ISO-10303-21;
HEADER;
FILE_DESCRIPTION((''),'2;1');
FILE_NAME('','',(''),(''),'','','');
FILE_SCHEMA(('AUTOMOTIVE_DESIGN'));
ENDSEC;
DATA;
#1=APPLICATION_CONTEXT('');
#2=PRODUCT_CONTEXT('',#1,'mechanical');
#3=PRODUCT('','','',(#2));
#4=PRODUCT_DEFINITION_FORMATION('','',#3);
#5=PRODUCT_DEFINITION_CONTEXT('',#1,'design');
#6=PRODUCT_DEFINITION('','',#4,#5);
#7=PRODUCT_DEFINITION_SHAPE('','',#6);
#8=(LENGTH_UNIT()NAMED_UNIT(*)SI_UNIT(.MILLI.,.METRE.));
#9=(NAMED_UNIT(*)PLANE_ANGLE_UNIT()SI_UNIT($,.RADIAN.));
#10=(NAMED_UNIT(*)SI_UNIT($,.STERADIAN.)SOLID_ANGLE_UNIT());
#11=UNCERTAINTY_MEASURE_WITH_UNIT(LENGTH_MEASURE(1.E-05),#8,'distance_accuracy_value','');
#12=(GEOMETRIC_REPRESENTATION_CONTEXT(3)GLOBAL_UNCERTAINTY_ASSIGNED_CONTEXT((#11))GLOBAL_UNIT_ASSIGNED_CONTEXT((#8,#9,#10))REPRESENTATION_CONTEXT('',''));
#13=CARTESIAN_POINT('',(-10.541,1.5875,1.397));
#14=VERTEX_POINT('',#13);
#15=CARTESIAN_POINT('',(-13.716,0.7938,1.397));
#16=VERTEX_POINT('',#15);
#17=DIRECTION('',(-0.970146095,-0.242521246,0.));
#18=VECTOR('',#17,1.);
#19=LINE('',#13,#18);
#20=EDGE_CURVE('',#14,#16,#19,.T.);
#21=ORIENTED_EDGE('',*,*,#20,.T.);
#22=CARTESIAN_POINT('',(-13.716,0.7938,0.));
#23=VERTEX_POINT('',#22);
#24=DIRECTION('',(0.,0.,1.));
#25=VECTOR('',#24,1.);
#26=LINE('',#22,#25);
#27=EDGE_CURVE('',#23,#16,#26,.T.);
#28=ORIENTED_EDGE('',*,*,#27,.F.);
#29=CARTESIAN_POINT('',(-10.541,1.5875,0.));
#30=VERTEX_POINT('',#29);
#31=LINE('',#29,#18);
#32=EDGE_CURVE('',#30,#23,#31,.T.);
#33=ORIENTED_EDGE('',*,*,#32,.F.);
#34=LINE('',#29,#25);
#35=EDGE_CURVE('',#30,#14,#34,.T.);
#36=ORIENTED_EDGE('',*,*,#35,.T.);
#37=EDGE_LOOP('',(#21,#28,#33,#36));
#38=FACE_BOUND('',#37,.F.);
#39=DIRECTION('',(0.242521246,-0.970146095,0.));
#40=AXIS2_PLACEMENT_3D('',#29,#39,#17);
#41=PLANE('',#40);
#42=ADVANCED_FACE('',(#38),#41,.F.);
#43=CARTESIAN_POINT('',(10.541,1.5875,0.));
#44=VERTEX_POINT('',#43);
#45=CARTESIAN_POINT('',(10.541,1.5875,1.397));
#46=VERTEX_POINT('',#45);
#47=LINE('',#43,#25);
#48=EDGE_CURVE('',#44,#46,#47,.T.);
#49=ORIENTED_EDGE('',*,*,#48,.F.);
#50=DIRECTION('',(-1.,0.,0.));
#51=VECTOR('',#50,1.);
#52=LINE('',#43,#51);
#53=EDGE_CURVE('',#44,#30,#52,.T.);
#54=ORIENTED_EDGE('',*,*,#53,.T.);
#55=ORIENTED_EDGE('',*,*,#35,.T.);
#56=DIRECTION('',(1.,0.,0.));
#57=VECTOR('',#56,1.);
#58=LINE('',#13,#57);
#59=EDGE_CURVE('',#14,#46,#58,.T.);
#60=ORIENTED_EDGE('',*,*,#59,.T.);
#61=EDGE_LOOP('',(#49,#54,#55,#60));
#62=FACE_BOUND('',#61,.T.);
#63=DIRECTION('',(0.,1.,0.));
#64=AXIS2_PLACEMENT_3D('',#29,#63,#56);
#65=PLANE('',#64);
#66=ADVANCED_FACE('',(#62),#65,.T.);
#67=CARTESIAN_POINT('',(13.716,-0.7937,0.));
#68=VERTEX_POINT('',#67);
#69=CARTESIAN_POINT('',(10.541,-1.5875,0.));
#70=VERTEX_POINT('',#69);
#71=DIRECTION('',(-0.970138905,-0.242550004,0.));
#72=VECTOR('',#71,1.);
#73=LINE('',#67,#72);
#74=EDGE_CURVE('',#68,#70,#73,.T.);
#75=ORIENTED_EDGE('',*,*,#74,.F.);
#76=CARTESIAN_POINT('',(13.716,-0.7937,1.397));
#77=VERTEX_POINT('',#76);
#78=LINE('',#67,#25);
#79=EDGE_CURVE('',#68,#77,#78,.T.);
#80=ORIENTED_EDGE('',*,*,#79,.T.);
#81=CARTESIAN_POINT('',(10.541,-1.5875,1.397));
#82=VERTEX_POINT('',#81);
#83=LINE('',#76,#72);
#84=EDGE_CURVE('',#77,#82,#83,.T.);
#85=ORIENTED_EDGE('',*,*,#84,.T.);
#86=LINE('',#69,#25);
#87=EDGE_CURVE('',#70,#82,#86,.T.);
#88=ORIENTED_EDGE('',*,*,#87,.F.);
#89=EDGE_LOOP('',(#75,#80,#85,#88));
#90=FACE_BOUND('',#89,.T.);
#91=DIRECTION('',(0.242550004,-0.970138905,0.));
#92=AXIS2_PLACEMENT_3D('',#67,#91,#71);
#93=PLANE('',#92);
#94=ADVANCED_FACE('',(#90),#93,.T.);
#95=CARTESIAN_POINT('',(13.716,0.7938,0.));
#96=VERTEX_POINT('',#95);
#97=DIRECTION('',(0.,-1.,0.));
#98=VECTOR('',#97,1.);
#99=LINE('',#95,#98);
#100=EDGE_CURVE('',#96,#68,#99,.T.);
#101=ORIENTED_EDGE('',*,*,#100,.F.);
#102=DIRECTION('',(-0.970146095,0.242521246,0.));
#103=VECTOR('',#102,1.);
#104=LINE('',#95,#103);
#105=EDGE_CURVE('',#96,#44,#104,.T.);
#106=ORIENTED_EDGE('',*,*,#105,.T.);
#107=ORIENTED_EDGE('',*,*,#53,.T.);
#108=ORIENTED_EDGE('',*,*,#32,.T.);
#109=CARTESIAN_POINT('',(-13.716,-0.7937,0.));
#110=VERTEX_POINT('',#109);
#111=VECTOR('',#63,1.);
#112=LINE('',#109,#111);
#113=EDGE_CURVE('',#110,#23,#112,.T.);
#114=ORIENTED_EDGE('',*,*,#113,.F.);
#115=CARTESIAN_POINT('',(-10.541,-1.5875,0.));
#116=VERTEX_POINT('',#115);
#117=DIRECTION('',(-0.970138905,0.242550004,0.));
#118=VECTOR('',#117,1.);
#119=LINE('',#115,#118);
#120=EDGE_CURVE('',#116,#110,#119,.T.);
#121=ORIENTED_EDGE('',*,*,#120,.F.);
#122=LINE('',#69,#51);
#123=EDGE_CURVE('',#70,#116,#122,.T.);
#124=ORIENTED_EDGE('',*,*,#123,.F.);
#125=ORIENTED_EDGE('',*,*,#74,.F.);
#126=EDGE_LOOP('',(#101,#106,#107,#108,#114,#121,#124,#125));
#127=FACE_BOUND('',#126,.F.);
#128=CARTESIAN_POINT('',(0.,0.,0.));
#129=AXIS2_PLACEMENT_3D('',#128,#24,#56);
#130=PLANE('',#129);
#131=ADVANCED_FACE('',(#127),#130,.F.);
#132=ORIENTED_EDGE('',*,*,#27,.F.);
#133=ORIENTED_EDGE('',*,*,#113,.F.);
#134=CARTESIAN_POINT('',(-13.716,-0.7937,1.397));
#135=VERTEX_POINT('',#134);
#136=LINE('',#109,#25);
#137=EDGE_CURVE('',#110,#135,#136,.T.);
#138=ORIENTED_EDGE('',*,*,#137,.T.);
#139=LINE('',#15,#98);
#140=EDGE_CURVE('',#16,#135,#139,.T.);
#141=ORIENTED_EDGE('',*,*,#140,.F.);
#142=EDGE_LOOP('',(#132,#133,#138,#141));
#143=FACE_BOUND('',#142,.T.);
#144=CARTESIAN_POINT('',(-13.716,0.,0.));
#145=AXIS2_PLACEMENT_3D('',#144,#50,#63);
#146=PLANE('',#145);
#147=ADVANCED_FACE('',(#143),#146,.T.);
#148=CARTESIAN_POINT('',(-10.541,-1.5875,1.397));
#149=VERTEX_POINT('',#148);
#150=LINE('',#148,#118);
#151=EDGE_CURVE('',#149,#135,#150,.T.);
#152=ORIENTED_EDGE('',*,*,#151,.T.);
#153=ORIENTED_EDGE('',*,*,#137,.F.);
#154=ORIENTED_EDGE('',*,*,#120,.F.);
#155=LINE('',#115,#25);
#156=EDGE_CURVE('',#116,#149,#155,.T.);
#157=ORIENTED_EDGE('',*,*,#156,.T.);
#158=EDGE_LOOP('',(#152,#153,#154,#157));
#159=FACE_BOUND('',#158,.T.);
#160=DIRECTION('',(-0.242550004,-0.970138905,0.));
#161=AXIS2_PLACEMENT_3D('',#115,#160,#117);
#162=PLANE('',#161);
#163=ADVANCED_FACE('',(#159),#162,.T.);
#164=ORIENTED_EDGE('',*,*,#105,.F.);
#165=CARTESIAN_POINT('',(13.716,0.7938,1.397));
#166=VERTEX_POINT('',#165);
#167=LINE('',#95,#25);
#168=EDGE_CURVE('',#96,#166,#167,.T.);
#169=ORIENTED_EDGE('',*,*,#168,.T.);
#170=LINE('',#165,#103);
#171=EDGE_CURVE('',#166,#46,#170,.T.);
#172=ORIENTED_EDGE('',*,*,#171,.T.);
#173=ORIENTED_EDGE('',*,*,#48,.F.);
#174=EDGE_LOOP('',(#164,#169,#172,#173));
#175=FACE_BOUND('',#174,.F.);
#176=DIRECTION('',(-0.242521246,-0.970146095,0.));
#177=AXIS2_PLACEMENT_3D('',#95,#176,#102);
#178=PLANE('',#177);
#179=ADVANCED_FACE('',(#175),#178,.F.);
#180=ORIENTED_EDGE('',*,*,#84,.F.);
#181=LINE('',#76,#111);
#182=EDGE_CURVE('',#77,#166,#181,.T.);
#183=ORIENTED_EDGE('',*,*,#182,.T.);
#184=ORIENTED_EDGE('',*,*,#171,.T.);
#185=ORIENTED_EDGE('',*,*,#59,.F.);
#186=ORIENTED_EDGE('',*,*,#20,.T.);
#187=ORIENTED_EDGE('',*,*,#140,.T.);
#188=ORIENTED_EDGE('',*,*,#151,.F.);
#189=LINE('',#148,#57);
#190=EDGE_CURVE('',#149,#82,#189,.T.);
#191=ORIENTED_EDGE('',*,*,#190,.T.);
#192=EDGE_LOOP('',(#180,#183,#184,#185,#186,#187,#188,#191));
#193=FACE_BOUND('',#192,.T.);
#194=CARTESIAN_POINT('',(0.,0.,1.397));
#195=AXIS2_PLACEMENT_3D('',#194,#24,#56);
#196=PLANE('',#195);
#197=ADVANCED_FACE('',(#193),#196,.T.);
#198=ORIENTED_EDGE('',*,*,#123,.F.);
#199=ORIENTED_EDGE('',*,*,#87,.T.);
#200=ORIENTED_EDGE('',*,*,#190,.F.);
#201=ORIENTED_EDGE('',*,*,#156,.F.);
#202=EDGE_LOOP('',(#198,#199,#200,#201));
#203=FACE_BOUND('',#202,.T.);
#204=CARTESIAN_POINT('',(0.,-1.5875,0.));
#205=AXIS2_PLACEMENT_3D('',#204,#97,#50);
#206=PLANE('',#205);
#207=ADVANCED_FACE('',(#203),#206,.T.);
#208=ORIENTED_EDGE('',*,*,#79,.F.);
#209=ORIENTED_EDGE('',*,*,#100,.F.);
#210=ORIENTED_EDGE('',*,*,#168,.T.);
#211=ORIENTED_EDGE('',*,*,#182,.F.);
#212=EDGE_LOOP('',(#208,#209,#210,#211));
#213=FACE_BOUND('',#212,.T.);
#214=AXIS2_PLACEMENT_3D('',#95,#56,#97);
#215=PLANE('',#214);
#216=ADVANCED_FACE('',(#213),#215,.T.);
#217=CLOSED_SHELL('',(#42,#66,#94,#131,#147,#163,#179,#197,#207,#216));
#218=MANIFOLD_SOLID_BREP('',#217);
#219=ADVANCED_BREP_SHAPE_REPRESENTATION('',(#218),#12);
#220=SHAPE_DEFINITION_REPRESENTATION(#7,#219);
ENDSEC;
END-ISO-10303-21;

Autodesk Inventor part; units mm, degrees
ref_plane "YZ Plane" through (0, 0, 0) normal (1, 0, 0) x (0, 1, 0)
ref_plane "XZ Plane" through (0, 0, 0) normal (0, 1, 0) x (-1, 0, 0)
ref_plane "XY Plane" through (0, 0, 0) normal (0, 0, 1) x (1, 0, 0)
sketch "Sketch1" plane through (0, 0, 0) normal (0, 0, 1) x (1, 0, 0)
  line L0 (-10.541, 1.5875) -> (10.541, 1.5875)
  line L1 (13.716, 0.7938) -> (13.716, -0.7937)
  line L2 (10.541, -1.5875) -> (-10.541, -1.5875)
  line L3 (-13.716, -0.7937) -> (-13.716, 0.7938)
  line L4 (-19.2024, 0) -> (19.2024, 0) projected
  line L5 (0, -2.2225) -> (0, 2.2225) projected
  line L6 (-10.541, 1.5875) -> (-13.716, 0.7938)
  line L7 (-10.541, -1.5875) -> (-13.716, -0.7937)
  line L8 (13.716, -0.7937) -> (10.541, -1.5875)
  line L9 (13.716, 0.7938) -> (10.541, 1.5875)
  line L10 (-0.635, 0) -> (-0.635, 0)
  line L11 (-8.255, 0) -> (-8.255, 0)
  line L12 (8.255, 0) -> (8.255, 0)
  line L13 (0.635, 0) -> (0.635, 0)
  dimension "d0" = 27.432
  dimension "d1" = 3.175
  dimension "d2" = 13.716
  dimension "d3" = 1.5875
  dimension "d5" = 3.175
  dimension "d6" = 1.5875
  dimension "d7" = 0.7937
  dimension "d8" = 1.5875
  dimension "d9" = 0.7937
  dimension "d10" = 3.175
  dimension "d11" = 3.175
extrude "Extrusion2" add sketch "Sketch1" along normal blind 1.397
equation "\"d9\" = 0.5 * d8"
properties part number "Head Bar Solid" material "Titanium"
